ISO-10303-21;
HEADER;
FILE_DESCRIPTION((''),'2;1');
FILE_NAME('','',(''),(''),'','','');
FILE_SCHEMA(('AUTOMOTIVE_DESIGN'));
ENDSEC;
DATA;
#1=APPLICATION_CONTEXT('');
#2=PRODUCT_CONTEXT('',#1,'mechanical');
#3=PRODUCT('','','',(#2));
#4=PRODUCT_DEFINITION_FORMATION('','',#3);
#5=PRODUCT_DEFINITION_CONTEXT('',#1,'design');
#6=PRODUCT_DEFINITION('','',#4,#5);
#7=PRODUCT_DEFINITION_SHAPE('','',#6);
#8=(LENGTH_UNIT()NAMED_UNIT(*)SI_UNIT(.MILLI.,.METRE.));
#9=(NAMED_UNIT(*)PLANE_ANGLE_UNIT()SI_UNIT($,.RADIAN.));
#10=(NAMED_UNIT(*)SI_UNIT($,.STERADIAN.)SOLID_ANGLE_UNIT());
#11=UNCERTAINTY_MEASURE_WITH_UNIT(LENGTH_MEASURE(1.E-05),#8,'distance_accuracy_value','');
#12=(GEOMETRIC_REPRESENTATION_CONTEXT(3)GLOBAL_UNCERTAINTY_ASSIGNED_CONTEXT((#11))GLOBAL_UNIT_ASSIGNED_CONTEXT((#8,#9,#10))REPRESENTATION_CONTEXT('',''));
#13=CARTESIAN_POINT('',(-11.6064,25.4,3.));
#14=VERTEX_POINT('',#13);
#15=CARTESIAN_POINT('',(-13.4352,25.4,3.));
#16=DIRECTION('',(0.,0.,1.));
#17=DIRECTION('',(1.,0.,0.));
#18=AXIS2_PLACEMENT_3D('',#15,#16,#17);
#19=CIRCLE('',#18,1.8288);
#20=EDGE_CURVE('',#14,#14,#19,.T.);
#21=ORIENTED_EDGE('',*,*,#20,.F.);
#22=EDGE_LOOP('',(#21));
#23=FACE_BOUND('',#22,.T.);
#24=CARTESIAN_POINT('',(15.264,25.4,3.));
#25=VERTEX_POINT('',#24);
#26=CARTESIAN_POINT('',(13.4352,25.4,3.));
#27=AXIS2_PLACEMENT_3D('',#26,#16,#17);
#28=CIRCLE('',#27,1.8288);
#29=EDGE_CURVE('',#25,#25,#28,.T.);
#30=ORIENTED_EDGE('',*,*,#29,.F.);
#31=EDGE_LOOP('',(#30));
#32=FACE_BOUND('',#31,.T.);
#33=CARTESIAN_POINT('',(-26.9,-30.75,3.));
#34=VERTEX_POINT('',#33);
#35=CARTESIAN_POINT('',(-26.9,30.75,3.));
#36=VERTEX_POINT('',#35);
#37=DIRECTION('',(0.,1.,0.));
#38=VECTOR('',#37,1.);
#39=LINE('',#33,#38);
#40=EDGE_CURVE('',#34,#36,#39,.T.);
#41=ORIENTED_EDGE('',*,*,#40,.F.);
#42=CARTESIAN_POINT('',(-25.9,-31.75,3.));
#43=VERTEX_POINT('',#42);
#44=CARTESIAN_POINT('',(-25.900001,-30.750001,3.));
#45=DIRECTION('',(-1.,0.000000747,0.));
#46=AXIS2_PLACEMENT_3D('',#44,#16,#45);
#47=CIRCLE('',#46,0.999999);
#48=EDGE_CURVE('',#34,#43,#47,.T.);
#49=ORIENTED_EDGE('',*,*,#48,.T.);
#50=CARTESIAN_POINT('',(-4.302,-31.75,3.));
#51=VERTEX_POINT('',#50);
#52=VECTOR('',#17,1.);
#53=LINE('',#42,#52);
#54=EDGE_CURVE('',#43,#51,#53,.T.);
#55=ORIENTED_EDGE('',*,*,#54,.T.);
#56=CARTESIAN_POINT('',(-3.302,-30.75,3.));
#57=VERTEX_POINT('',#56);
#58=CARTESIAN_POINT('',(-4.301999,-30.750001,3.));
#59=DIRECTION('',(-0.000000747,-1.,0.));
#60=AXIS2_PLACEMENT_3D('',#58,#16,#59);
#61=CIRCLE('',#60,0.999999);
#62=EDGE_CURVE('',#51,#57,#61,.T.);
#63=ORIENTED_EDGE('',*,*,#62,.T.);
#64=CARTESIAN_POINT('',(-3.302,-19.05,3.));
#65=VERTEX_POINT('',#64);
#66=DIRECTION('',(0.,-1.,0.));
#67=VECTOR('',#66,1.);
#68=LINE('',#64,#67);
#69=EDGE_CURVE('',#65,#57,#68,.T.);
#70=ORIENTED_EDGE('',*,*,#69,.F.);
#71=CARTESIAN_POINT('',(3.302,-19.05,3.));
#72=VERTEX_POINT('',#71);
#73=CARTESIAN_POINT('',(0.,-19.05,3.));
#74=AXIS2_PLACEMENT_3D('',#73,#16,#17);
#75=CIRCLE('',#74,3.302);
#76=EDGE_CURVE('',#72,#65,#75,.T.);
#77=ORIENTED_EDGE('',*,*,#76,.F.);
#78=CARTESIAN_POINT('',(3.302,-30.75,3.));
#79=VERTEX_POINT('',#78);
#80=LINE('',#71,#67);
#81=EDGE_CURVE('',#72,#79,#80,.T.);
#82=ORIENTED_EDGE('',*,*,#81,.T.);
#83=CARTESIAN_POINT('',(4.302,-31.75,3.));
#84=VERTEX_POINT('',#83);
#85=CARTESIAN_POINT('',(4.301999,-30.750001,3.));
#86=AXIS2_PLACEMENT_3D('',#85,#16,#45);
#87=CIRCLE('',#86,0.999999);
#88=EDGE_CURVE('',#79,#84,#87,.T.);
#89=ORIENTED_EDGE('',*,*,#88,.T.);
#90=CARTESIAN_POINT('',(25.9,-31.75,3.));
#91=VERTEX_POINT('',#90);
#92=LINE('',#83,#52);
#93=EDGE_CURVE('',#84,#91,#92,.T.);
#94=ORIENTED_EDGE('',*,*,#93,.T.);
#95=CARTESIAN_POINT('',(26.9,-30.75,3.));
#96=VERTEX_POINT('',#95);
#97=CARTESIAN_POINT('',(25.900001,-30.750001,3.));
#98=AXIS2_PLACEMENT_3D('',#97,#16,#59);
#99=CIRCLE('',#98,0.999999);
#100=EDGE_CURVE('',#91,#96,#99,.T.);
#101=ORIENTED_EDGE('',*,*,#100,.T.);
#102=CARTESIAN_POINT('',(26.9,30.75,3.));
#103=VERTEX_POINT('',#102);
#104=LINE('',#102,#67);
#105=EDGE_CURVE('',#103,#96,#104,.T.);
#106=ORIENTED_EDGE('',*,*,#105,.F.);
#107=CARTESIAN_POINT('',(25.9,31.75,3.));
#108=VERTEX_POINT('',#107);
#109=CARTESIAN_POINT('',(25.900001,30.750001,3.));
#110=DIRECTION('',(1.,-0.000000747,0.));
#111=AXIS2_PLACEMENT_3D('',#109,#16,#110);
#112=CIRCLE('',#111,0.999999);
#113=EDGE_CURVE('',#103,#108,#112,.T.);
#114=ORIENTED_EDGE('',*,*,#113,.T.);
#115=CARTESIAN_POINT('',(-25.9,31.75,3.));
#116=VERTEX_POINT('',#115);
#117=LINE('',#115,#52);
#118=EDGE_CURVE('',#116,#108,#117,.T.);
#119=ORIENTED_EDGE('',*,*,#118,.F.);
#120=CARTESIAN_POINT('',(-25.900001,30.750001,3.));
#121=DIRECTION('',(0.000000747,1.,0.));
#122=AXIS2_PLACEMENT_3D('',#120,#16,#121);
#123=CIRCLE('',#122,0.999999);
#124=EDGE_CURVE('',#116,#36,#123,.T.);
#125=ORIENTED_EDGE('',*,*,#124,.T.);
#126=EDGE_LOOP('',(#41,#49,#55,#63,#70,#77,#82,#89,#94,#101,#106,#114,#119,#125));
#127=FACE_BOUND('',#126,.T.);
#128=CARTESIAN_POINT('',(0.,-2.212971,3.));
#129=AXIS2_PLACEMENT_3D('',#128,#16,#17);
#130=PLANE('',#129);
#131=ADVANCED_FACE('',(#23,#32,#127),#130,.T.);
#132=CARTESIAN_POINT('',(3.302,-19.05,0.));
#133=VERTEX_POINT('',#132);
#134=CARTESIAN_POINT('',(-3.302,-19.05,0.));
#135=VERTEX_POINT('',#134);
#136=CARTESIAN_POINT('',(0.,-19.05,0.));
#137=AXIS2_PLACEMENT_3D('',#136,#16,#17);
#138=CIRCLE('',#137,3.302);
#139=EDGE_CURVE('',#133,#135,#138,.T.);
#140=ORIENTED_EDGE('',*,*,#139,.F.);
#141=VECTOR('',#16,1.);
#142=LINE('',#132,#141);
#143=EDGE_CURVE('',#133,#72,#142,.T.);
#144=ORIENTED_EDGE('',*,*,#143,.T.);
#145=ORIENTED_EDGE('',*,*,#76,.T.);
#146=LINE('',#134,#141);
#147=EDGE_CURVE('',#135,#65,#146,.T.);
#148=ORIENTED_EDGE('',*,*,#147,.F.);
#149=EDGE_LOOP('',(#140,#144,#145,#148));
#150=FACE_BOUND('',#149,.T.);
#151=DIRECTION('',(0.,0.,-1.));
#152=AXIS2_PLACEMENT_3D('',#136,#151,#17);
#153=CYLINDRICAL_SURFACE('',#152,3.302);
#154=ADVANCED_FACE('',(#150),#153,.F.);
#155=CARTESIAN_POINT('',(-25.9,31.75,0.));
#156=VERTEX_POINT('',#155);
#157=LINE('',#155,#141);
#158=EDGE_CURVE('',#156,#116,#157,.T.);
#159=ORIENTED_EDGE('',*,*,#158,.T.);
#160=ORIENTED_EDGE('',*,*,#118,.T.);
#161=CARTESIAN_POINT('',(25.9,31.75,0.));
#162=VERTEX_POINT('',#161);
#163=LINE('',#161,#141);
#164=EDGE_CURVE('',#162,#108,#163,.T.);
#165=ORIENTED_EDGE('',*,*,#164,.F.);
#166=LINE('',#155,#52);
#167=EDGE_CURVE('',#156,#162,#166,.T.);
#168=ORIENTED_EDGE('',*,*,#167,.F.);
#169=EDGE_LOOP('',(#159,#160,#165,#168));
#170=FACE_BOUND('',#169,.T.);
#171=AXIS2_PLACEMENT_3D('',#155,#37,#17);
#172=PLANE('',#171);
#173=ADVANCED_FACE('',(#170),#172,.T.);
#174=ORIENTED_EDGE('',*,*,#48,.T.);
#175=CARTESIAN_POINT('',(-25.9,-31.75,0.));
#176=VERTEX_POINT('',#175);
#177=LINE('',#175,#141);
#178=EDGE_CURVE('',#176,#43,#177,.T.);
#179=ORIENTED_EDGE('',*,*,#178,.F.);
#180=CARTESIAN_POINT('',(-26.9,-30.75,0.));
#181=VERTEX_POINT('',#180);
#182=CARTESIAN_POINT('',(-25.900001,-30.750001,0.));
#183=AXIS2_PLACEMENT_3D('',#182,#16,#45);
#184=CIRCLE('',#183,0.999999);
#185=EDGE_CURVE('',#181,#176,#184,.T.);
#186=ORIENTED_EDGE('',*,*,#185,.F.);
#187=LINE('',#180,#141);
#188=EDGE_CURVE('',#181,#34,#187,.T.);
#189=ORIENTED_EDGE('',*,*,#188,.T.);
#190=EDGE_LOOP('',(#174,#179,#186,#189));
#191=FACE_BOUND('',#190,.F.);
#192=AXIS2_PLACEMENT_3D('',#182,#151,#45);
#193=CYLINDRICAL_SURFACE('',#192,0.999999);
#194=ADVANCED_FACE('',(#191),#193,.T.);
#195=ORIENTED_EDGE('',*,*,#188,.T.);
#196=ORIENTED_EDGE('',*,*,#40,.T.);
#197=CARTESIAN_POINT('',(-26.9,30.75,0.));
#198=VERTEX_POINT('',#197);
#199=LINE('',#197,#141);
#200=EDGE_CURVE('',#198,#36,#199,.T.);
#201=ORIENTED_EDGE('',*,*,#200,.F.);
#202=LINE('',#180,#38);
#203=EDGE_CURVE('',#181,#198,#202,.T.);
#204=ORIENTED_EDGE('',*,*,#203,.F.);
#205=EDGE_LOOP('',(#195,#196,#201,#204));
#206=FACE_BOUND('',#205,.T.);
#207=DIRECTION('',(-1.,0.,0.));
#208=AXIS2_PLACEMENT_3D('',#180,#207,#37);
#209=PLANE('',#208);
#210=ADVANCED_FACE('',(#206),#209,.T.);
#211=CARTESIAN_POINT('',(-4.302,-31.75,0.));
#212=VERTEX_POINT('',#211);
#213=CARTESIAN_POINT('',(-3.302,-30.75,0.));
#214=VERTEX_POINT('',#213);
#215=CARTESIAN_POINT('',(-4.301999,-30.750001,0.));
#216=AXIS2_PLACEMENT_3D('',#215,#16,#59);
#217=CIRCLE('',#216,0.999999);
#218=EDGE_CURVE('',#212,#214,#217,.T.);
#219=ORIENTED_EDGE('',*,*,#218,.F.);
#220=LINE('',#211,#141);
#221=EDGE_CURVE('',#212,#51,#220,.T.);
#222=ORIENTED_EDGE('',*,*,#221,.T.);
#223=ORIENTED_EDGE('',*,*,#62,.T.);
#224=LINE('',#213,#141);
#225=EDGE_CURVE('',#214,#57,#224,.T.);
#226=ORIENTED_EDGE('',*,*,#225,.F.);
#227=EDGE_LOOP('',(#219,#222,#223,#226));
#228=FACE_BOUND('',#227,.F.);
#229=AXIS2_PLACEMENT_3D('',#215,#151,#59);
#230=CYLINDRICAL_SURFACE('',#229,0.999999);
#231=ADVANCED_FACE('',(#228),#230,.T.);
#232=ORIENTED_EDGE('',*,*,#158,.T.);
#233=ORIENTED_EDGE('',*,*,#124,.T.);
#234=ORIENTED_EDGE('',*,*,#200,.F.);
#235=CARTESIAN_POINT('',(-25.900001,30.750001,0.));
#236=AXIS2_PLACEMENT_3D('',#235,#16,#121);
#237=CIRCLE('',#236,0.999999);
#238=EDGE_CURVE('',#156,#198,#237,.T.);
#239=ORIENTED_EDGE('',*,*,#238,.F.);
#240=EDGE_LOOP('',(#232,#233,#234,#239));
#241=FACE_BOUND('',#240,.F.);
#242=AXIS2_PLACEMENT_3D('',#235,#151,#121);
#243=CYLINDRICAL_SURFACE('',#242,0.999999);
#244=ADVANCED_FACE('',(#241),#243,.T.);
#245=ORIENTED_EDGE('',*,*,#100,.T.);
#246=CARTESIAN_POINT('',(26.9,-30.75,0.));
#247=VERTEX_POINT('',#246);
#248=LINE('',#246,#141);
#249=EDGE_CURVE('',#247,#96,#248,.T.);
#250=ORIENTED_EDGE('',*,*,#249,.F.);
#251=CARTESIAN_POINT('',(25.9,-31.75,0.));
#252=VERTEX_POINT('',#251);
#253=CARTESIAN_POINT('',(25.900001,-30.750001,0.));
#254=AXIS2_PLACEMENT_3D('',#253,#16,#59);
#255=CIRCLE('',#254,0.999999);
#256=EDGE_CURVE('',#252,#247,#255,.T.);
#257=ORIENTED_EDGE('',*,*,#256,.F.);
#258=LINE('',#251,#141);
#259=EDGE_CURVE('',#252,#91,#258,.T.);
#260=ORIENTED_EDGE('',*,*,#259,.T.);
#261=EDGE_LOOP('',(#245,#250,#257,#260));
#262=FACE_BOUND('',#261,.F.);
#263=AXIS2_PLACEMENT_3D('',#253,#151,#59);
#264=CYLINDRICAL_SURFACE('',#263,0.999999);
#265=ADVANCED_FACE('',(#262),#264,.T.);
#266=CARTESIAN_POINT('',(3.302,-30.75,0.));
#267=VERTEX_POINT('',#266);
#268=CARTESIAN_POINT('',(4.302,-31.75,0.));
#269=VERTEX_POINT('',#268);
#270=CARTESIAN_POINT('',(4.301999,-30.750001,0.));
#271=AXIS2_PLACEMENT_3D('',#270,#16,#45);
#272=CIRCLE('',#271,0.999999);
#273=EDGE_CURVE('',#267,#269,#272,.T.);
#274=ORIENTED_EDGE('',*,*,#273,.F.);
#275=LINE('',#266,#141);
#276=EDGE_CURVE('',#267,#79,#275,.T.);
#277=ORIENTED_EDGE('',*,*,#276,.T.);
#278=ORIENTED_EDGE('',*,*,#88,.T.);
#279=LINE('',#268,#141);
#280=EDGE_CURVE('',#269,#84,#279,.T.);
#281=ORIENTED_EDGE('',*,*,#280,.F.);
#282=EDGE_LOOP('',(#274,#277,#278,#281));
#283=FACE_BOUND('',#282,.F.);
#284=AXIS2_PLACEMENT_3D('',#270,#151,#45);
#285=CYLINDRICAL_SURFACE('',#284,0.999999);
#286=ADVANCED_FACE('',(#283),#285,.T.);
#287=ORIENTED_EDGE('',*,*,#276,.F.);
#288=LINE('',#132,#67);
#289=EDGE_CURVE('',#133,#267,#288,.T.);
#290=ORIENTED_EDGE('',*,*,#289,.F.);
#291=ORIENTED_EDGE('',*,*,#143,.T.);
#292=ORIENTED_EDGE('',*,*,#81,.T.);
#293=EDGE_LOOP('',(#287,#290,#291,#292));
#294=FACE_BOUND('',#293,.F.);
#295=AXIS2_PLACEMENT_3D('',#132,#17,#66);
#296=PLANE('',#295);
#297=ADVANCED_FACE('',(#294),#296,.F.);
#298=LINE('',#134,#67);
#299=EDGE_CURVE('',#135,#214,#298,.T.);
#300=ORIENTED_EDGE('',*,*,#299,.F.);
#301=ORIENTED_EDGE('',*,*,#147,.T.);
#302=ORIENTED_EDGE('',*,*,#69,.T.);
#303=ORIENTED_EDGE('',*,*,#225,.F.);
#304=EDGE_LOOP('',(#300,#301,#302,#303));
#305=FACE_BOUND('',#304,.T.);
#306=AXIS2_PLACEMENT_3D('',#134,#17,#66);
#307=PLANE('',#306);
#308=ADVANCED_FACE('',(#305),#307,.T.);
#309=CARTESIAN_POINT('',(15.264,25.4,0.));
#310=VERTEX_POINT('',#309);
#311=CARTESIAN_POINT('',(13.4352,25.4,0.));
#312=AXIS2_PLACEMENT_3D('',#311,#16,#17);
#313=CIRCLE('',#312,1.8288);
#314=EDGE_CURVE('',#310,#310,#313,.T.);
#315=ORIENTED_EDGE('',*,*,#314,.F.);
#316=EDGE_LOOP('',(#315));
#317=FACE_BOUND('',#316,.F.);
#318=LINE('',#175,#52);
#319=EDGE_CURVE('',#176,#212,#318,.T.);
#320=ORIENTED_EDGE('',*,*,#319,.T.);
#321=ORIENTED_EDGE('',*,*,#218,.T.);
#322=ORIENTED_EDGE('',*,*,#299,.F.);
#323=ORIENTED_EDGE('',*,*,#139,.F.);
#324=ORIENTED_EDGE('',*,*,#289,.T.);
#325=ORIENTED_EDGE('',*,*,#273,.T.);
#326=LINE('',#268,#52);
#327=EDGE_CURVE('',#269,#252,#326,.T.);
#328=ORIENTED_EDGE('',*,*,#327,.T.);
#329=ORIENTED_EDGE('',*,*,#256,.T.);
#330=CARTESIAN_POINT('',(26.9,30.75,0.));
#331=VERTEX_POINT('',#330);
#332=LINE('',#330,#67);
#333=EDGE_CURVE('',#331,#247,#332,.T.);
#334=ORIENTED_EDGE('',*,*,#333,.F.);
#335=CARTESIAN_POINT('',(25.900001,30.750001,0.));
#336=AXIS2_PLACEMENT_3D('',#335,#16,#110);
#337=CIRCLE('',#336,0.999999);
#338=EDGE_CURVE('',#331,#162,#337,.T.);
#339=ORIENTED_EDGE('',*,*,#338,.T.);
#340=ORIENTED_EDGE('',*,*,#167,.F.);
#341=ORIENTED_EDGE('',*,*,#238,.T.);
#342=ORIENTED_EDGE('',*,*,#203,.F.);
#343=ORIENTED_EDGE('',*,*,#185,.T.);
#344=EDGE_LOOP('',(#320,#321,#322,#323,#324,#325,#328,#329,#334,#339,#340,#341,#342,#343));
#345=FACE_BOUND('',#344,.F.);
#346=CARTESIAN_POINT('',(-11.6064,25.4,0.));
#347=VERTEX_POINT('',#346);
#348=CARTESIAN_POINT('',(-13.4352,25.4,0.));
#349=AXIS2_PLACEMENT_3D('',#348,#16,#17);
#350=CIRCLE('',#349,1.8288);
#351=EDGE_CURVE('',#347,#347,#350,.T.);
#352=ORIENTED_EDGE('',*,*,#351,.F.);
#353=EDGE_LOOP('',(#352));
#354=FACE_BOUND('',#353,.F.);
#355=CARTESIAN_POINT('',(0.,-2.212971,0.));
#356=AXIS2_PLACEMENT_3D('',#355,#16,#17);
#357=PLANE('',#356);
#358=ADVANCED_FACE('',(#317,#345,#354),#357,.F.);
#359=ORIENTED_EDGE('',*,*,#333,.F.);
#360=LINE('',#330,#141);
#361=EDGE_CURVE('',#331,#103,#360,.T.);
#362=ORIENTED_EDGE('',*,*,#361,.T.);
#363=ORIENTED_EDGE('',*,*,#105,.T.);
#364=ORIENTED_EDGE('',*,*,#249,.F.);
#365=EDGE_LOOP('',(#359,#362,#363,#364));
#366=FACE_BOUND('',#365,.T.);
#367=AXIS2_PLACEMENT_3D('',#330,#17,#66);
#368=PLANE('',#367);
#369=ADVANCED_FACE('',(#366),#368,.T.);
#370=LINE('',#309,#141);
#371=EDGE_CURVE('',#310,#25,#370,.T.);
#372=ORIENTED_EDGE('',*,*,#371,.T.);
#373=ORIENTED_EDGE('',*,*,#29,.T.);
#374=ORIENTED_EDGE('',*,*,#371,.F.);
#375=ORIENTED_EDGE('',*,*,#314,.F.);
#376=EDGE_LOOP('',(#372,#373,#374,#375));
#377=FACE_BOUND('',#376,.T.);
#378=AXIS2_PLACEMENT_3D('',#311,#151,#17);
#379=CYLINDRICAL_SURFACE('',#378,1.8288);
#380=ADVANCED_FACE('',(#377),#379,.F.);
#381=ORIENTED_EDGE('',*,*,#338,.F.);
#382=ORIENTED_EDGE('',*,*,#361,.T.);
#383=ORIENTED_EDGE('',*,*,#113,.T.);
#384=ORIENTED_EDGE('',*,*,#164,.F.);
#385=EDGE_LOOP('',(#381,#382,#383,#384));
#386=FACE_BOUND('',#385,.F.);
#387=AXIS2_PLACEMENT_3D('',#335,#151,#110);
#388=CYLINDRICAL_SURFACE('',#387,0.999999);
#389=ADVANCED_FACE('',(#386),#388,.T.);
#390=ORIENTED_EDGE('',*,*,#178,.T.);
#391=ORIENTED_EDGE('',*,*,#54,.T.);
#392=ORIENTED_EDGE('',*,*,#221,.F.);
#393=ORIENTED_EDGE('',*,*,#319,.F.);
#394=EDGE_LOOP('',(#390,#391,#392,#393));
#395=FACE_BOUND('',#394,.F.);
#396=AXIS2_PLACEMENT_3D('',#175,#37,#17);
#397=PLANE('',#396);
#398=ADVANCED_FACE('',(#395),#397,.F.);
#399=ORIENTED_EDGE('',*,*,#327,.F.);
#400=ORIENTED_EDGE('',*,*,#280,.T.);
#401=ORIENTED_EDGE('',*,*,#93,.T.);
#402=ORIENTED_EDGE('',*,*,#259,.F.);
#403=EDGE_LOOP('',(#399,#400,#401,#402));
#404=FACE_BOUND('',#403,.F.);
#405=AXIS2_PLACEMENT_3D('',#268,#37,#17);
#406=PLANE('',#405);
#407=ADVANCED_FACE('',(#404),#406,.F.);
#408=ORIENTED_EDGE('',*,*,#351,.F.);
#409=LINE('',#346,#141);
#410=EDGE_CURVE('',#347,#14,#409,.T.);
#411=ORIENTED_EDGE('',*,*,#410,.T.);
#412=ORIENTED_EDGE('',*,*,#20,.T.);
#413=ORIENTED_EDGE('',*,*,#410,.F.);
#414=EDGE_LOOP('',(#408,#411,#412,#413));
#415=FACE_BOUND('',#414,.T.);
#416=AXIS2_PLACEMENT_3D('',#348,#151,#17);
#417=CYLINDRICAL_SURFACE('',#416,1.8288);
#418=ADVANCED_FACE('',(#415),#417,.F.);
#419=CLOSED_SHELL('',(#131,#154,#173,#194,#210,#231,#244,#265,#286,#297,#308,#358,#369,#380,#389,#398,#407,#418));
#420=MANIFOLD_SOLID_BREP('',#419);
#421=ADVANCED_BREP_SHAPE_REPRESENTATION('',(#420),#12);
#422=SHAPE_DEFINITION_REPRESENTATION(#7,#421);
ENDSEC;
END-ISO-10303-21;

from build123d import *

# Parameters (mm, degrees)
SKETCH_R  = 1.8288
PAD_DEPTH = 3


with BuildPart() as part:
    # Sketch → Pad (new body)
    with BuildSketch(Plane.XY):
        with BuildLine():
            ThreePointArc((-25.9, 31.75), (-26.607107, 31.457107), (-26.9, 30.75))
            Line((-26.9, -30.75), (-26.9, 30.75))
            ThreePointArc((-26.9, -30.75), (-26.607107, -31.457107), (-25.9, -31.75))
            Line((-25.9, -31.75), (-4.302, -31.75))
            ThreePointArc((-4.302, -31.75), (-3.594893, -31.457107), (-3.302, -30.75))
            Line((-3.302, -19.05), (-3.302, -30.75))
            ThreePointArc((3.302, -19.05), (0, -15.748), (-3.302, -19.05))
            Line((3.302, -19.05), (3.302, -30.75))
            ThreePointArc((3.302, -30.75), (3.594893, -31.457107), (4.302, -31.75))
            Line((4.302, -31.75), (25.9, -31.75))
            ThreePointArc((25.9, -31.75), (26.607107, -31.457107), (26.9, -30.75))
            Line((26.9, 30.75), (26.9, -30.75))
            ThreePointArc((26.9, 30.75), (26.607107, 31.457107), (25.9, 31.75))
            Line((-25.9, 31.75), (25.9, 31.75))
        make_face()
        with Locations((-13.4352, 25.4)):
            Circle(SKETCH_R, mode=Mode.SUBTRACT)
        with Locations((13.4352, 25.4)):
            Circle(SKETCH_R, mode=Mode.SUBTRACT)
    extrude(amount=PAD_DEPTH)


solid = part.part
